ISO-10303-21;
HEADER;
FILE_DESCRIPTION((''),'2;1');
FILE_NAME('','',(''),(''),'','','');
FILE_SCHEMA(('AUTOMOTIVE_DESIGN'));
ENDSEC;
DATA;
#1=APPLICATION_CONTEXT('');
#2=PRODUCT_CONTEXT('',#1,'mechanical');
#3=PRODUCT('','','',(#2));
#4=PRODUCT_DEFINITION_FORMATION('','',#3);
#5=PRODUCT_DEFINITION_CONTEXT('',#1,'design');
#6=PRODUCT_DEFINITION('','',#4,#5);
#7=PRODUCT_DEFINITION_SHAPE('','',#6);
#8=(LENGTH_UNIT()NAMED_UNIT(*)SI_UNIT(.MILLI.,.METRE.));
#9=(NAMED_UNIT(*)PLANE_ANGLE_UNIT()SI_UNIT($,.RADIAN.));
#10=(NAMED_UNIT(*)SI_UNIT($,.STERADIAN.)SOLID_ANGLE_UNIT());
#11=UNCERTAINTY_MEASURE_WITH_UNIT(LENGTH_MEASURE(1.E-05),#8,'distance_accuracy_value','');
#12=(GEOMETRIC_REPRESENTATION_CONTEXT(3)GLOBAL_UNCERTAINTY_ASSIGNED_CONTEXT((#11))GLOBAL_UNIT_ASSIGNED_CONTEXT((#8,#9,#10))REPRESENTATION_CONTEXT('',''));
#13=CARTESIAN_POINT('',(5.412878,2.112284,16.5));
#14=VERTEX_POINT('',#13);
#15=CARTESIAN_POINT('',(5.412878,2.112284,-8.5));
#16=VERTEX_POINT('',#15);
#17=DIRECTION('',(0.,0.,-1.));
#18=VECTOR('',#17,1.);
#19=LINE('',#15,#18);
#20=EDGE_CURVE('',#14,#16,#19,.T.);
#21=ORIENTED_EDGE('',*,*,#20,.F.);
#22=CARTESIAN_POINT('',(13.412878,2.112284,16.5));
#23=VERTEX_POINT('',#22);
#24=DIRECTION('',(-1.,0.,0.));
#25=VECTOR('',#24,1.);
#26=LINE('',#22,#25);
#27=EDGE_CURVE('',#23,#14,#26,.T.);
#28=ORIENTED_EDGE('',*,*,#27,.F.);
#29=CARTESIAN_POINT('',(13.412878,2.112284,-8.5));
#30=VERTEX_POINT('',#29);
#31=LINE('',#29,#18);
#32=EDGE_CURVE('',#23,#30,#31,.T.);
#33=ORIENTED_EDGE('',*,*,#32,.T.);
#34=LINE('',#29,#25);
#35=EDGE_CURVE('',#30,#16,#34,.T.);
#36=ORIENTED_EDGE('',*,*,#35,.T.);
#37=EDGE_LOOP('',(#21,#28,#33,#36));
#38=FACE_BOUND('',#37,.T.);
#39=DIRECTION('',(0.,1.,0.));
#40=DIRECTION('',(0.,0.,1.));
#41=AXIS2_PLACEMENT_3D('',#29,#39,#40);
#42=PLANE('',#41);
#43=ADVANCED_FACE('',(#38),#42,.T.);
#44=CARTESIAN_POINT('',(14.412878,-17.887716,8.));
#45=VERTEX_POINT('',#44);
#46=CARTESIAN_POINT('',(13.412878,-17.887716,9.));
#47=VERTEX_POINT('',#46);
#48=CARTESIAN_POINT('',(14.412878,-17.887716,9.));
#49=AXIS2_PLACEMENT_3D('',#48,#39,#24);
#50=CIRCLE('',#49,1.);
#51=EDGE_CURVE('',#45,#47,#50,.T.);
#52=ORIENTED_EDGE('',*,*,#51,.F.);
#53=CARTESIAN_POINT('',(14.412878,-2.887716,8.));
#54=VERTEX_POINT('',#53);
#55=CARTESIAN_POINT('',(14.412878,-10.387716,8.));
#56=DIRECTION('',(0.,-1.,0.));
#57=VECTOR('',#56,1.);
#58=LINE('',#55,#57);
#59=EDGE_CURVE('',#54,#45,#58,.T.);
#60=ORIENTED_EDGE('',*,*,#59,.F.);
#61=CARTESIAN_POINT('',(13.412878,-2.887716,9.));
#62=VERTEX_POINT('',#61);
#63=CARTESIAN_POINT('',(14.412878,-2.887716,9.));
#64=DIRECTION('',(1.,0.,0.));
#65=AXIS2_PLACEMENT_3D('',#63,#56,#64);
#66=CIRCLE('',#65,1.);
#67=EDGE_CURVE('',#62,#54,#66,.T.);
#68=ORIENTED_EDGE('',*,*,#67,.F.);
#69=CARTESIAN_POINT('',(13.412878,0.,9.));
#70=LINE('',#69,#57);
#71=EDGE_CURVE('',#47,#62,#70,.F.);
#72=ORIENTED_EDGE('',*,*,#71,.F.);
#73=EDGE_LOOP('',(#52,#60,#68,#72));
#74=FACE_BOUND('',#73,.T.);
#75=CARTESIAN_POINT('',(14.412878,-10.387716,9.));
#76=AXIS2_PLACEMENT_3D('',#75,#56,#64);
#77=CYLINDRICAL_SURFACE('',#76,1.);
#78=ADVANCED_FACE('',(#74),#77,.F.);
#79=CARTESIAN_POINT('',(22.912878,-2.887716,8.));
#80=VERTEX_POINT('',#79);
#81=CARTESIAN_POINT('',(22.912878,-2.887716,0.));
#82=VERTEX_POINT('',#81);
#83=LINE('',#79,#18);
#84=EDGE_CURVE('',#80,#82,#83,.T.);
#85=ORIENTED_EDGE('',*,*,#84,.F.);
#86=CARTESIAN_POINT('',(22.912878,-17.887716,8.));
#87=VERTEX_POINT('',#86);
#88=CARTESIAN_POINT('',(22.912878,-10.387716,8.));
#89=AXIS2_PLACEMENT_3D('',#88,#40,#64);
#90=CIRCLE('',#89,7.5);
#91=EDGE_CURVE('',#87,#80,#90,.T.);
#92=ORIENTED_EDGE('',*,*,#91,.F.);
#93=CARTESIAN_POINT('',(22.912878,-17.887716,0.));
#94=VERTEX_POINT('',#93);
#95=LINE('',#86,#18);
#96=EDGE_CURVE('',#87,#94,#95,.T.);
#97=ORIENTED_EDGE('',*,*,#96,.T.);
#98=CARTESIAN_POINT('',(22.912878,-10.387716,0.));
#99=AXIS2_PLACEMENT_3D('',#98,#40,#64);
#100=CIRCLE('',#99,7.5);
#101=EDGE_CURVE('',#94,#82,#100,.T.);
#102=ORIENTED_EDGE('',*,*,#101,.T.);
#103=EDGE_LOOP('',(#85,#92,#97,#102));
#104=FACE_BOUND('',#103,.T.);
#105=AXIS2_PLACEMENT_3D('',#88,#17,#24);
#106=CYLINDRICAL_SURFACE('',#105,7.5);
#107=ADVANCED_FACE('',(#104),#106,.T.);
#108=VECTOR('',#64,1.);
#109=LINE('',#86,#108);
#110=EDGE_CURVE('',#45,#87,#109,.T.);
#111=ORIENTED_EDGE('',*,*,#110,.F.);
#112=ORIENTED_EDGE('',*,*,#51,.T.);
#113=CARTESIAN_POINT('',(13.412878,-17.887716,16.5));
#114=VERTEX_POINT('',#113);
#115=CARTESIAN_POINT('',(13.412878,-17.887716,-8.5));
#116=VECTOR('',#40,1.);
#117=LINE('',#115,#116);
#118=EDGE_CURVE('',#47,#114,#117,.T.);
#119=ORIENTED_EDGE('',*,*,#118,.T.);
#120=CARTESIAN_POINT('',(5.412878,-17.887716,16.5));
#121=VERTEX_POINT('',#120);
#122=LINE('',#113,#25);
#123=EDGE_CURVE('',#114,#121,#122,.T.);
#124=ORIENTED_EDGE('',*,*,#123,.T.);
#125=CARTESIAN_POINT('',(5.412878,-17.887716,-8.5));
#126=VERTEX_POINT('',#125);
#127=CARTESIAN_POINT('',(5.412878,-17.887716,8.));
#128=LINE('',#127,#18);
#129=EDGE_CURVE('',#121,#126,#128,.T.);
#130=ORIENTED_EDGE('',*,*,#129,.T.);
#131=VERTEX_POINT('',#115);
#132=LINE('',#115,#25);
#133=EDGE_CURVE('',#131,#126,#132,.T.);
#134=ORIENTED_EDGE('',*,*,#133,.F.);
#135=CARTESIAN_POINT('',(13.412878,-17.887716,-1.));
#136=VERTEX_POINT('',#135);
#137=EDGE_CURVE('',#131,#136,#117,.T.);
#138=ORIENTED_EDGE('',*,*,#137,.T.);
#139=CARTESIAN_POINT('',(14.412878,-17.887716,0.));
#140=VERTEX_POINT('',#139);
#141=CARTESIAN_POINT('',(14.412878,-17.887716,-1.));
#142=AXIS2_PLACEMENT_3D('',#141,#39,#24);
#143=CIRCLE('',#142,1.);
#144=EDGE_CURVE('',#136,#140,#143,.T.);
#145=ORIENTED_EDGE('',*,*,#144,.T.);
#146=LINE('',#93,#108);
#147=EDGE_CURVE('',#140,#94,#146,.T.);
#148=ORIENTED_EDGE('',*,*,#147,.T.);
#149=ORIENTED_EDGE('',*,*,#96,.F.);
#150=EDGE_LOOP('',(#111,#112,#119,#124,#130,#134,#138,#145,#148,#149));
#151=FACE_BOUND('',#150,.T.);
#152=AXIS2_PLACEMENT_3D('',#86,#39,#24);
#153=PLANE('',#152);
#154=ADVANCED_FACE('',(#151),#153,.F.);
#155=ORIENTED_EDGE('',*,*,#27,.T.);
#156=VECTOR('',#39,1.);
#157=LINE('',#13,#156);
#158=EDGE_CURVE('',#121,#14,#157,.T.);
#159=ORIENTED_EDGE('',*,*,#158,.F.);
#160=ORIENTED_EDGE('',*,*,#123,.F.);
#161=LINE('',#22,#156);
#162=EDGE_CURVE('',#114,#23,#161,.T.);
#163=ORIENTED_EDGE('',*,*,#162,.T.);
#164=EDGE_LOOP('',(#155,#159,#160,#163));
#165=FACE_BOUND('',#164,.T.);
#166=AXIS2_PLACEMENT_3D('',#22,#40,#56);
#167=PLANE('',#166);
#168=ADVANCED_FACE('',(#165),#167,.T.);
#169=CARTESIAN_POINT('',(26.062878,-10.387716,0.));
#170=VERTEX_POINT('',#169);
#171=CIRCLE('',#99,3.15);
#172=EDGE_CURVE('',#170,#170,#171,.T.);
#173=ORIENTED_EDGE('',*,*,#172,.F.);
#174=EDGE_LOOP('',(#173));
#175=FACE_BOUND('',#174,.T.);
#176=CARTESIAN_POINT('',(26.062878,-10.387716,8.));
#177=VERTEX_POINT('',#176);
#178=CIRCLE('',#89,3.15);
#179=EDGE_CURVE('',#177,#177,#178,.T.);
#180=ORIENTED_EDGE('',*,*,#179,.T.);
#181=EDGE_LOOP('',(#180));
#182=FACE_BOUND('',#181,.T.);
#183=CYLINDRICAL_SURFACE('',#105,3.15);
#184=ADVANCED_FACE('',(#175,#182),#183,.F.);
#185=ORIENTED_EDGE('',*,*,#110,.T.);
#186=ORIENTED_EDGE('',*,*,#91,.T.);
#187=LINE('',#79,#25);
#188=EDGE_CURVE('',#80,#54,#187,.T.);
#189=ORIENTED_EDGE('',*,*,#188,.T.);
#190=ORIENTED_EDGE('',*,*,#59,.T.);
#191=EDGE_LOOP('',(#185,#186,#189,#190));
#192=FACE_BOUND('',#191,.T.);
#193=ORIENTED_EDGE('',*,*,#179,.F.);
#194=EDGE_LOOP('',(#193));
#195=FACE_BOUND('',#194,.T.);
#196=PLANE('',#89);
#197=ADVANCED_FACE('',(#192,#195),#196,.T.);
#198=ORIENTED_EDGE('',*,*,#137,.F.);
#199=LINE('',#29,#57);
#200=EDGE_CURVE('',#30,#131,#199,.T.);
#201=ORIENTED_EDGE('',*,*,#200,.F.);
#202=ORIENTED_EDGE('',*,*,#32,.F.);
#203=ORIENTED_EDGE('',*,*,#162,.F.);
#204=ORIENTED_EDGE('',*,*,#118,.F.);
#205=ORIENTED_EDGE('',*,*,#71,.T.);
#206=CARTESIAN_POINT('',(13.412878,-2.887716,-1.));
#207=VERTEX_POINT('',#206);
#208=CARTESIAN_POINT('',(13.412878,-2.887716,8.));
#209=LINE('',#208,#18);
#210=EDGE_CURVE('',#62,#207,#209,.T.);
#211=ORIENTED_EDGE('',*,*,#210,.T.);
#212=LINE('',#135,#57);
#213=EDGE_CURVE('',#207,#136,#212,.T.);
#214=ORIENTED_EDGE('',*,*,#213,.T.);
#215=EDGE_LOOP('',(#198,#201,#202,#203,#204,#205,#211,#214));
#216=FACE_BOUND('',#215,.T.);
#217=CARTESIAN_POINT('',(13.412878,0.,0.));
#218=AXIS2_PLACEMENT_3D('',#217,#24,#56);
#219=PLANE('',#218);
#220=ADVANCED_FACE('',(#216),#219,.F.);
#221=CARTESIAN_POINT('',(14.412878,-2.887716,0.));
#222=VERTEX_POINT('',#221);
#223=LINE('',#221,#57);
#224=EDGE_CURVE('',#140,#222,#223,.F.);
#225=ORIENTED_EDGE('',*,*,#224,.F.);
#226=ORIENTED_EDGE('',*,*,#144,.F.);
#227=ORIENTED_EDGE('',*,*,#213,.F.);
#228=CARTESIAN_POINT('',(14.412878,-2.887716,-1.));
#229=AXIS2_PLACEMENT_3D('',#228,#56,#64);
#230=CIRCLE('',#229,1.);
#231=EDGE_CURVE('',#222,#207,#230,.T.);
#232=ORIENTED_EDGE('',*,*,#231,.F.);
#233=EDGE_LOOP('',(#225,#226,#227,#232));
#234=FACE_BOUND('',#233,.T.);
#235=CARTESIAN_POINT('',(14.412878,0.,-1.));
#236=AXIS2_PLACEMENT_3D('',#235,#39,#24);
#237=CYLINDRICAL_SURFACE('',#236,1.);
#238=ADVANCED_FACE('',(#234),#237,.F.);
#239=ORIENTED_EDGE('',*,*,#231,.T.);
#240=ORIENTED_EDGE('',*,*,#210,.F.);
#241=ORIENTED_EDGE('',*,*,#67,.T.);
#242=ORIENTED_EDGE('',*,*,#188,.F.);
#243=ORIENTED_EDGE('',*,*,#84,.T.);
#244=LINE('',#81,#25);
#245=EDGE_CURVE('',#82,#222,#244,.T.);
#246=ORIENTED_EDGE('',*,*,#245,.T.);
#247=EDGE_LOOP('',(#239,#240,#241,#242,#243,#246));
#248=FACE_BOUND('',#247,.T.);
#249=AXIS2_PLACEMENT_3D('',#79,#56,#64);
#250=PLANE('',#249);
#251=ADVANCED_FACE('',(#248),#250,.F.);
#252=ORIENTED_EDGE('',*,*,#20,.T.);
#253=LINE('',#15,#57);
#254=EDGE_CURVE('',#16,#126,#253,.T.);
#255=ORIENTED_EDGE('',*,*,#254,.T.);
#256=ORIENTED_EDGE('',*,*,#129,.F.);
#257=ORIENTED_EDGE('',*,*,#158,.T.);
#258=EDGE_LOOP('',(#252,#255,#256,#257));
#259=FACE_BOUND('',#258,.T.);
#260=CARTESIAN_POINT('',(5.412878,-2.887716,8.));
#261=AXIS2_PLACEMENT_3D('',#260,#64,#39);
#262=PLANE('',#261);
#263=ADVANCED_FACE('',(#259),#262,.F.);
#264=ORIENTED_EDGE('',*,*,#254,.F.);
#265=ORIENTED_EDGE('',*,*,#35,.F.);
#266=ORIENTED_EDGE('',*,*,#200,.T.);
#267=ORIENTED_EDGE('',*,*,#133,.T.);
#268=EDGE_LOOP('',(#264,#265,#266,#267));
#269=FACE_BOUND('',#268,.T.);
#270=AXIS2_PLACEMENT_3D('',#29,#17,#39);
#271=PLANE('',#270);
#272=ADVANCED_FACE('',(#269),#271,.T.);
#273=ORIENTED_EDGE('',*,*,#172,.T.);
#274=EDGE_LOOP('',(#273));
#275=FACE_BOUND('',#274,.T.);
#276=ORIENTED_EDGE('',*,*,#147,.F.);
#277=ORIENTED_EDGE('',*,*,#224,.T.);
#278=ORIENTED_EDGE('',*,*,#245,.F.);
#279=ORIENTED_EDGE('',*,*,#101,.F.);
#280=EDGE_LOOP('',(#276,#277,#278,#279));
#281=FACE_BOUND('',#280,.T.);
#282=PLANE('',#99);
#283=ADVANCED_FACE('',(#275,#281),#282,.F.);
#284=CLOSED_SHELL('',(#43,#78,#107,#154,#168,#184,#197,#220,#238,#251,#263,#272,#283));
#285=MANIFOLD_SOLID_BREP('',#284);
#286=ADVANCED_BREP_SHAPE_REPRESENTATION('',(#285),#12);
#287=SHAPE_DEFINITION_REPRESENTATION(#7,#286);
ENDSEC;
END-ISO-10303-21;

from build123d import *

# Parameters (mm, degrees)
SKETCH2_R           = 3.15
BOSS_EXTRUDE1_DEPTH = 8
SKETCH3_W           = 25
SKETCH3_H           = 20
BOSS_EXTRUDE2_DEPTH = 8
FILLET1_R           = 1


with BuildPart() as part:
    # Sketch2 → Boss-Extrude1 (new body)
    with BuildSketch(Plane.XY):
        with BuildLine():
            Line((22.912878475, -2.887716477), (5.412878475, -2.887716477))
            Line((5.412878475, -2.887716477), (5.412878475, -17.887716477))
            Line((5.412878475, -17.887716477), (22.912878475, -17.887716477))
            ThreePointArc((22.912878475, -17.887716477), (30.412878475, -10.387716477), (22.912878475, -2.887716477))
        make_face()
        with Locations((22.912878475, -10.387716477)):
            Circle(SKETCH2_R, mode=Mode.SUBTRACT)
    extrude(amount=BOSS_EXTRUDE1_DEPTH)

    # Sketch3 → Boss-Extrude2 (add)
    with BuildSketch(Plane.ZY.offset(-5.412878475)):
        with Locations((4, -7.887716477)):
            Rectangle(SKETCH3_W, SKETCH3_H)
    extrude(amount=-BOSS_EXTRUDE2_DEPTH)

    # Fillet1
    fillet1_edges = [part.edges().sort_by_distance(p)[0] for p in [
        (13.412878475, -10.387716477, 8),
        (13.412878475, -10.387716477, 0),
    ]]
    fillet(fillet1_edges, radius=FILLET1_R)


solid = part.part
